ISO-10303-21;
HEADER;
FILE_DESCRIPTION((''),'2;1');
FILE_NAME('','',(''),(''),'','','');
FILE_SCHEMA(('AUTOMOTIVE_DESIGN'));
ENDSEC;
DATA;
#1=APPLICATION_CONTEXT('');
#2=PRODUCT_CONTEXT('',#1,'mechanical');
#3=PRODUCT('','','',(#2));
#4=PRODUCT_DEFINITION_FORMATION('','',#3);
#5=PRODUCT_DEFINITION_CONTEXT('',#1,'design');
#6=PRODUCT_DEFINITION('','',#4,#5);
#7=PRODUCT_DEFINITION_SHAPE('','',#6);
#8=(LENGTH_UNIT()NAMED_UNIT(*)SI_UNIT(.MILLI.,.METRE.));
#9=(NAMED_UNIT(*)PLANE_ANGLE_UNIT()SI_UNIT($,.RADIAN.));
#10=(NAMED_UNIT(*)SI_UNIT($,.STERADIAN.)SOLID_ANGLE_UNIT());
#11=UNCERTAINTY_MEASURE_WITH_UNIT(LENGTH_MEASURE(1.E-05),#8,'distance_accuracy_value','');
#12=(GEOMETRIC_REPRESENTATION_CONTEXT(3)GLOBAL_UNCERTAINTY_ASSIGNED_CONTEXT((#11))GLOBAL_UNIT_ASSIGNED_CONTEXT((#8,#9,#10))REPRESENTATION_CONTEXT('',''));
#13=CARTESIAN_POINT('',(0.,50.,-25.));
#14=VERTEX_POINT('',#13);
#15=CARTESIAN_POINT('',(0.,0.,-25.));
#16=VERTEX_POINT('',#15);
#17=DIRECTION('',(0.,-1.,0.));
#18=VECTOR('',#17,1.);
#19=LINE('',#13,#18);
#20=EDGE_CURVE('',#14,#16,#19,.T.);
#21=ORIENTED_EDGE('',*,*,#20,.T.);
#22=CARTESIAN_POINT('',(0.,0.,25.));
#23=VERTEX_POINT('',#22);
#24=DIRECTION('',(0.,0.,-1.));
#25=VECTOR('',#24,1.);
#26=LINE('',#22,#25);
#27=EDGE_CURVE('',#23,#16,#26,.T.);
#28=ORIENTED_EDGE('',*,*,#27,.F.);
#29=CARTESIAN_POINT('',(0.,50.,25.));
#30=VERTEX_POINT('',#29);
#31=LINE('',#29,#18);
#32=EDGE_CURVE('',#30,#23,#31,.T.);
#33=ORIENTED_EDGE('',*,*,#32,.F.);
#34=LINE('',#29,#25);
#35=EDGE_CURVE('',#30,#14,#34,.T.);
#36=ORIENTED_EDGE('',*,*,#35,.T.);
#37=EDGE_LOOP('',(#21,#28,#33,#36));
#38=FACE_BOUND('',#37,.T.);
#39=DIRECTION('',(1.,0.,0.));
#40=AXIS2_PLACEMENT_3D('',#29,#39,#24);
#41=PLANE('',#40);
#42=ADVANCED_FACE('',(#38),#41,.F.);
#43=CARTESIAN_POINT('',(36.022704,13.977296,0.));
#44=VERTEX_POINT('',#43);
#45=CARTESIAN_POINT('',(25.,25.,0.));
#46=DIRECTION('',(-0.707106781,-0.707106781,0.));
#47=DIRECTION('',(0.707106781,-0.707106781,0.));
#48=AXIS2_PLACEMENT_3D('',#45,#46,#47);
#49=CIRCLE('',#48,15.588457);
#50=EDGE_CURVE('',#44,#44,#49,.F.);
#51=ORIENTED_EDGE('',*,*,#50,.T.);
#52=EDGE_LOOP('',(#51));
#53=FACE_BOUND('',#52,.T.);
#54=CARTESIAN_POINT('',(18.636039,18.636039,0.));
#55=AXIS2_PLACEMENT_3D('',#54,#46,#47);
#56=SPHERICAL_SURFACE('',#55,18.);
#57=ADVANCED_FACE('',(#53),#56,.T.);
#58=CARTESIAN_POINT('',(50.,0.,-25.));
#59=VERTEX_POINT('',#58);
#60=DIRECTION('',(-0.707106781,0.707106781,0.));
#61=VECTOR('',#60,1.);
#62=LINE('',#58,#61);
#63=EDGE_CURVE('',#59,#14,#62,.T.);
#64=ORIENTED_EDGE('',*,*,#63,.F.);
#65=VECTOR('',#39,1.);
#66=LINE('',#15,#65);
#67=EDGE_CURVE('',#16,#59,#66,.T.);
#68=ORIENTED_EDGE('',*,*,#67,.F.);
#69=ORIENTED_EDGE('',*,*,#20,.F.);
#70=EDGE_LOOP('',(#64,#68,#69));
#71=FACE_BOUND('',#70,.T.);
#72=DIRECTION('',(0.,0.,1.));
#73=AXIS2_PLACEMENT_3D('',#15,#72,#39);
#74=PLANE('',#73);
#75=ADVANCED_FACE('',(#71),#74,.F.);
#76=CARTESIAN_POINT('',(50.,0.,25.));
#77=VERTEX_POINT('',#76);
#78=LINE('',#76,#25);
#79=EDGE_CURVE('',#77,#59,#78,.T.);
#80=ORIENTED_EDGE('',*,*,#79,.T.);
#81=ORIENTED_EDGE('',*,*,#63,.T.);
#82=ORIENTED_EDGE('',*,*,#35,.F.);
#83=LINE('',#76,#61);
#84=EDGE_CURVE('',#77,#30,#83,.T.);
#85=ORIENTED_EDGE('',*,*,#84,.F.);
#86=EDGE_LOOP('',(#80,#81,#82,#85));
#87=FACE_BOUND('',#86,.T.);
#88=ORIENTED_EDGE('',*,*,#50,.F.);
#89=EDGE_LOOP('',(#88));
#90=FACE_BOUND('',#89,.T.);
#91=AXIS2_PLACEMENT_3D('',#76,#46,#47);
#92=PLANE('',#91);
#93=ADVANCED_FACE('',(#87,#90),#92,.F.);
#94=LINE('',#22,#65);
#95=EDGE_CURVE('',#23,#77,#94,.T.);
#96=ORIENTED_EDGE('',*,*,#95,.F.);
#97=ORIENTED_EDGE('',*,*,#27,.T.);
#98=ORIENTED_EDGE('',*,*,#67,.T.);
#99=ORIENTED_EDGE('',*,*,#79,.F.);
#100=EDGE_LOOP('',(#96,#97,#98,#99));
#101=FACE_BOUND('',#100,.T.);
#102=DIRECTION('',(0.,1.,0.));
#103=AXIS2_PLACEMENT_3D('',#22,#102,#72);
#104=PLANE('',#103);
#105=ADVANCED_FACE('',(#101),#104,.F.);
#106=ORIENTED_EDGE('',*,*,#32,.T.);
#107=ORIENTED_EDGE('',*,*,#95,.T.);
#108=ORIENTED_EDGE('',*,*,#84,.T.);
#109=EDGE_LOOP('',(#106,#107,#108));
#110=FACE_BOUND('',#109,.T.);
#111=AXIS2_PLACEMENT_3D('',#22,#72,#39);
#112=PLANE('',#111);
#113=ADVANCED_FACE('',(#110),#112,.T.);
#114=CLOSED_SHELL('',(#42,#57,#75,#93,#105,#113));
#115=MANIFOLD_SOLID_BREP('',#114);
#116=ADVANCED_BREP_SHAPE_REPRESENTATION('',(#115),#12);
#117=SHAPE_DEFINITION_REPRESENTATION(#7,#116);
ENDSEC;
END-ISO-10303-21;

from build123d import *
from build123d.topology import SkipClean

# Parameters (mm, degrees)
BOSS_EXTRUDE1_DEPTH = 25


with BuildPart() as part:
    # Sketch1 → Boss-Extrude1 (new, symmetric)
    with BuildSketch(Plane.XY):
        Polygon((0, 50), (0, 0), (50, 0), align=None)
    extrude(amount=BOSS_EXTRUDE1_DEPTH, both=True)

    # Sketch2 → Revolve1 (revolve)
    with SkipClean():  # the faces are left unmerged after this step: merging them gives an invalid solid
        with BuildSketch(Plane.XY):
            with BuildLine():
                Line((5.908116908, 31.363961031), (31.363961031, 5.908116908))
                ThreePointArc((31.363961031, 5.908116908), (31.363961031, 31.363961031), (5.908116908, 31.363961031))
            make_face()
        revolve(axis=Axis((5.908116908, 31.363961031, 0), (0.7071067811865475, -0.7071067811865476, 0)))


solid = part.part
